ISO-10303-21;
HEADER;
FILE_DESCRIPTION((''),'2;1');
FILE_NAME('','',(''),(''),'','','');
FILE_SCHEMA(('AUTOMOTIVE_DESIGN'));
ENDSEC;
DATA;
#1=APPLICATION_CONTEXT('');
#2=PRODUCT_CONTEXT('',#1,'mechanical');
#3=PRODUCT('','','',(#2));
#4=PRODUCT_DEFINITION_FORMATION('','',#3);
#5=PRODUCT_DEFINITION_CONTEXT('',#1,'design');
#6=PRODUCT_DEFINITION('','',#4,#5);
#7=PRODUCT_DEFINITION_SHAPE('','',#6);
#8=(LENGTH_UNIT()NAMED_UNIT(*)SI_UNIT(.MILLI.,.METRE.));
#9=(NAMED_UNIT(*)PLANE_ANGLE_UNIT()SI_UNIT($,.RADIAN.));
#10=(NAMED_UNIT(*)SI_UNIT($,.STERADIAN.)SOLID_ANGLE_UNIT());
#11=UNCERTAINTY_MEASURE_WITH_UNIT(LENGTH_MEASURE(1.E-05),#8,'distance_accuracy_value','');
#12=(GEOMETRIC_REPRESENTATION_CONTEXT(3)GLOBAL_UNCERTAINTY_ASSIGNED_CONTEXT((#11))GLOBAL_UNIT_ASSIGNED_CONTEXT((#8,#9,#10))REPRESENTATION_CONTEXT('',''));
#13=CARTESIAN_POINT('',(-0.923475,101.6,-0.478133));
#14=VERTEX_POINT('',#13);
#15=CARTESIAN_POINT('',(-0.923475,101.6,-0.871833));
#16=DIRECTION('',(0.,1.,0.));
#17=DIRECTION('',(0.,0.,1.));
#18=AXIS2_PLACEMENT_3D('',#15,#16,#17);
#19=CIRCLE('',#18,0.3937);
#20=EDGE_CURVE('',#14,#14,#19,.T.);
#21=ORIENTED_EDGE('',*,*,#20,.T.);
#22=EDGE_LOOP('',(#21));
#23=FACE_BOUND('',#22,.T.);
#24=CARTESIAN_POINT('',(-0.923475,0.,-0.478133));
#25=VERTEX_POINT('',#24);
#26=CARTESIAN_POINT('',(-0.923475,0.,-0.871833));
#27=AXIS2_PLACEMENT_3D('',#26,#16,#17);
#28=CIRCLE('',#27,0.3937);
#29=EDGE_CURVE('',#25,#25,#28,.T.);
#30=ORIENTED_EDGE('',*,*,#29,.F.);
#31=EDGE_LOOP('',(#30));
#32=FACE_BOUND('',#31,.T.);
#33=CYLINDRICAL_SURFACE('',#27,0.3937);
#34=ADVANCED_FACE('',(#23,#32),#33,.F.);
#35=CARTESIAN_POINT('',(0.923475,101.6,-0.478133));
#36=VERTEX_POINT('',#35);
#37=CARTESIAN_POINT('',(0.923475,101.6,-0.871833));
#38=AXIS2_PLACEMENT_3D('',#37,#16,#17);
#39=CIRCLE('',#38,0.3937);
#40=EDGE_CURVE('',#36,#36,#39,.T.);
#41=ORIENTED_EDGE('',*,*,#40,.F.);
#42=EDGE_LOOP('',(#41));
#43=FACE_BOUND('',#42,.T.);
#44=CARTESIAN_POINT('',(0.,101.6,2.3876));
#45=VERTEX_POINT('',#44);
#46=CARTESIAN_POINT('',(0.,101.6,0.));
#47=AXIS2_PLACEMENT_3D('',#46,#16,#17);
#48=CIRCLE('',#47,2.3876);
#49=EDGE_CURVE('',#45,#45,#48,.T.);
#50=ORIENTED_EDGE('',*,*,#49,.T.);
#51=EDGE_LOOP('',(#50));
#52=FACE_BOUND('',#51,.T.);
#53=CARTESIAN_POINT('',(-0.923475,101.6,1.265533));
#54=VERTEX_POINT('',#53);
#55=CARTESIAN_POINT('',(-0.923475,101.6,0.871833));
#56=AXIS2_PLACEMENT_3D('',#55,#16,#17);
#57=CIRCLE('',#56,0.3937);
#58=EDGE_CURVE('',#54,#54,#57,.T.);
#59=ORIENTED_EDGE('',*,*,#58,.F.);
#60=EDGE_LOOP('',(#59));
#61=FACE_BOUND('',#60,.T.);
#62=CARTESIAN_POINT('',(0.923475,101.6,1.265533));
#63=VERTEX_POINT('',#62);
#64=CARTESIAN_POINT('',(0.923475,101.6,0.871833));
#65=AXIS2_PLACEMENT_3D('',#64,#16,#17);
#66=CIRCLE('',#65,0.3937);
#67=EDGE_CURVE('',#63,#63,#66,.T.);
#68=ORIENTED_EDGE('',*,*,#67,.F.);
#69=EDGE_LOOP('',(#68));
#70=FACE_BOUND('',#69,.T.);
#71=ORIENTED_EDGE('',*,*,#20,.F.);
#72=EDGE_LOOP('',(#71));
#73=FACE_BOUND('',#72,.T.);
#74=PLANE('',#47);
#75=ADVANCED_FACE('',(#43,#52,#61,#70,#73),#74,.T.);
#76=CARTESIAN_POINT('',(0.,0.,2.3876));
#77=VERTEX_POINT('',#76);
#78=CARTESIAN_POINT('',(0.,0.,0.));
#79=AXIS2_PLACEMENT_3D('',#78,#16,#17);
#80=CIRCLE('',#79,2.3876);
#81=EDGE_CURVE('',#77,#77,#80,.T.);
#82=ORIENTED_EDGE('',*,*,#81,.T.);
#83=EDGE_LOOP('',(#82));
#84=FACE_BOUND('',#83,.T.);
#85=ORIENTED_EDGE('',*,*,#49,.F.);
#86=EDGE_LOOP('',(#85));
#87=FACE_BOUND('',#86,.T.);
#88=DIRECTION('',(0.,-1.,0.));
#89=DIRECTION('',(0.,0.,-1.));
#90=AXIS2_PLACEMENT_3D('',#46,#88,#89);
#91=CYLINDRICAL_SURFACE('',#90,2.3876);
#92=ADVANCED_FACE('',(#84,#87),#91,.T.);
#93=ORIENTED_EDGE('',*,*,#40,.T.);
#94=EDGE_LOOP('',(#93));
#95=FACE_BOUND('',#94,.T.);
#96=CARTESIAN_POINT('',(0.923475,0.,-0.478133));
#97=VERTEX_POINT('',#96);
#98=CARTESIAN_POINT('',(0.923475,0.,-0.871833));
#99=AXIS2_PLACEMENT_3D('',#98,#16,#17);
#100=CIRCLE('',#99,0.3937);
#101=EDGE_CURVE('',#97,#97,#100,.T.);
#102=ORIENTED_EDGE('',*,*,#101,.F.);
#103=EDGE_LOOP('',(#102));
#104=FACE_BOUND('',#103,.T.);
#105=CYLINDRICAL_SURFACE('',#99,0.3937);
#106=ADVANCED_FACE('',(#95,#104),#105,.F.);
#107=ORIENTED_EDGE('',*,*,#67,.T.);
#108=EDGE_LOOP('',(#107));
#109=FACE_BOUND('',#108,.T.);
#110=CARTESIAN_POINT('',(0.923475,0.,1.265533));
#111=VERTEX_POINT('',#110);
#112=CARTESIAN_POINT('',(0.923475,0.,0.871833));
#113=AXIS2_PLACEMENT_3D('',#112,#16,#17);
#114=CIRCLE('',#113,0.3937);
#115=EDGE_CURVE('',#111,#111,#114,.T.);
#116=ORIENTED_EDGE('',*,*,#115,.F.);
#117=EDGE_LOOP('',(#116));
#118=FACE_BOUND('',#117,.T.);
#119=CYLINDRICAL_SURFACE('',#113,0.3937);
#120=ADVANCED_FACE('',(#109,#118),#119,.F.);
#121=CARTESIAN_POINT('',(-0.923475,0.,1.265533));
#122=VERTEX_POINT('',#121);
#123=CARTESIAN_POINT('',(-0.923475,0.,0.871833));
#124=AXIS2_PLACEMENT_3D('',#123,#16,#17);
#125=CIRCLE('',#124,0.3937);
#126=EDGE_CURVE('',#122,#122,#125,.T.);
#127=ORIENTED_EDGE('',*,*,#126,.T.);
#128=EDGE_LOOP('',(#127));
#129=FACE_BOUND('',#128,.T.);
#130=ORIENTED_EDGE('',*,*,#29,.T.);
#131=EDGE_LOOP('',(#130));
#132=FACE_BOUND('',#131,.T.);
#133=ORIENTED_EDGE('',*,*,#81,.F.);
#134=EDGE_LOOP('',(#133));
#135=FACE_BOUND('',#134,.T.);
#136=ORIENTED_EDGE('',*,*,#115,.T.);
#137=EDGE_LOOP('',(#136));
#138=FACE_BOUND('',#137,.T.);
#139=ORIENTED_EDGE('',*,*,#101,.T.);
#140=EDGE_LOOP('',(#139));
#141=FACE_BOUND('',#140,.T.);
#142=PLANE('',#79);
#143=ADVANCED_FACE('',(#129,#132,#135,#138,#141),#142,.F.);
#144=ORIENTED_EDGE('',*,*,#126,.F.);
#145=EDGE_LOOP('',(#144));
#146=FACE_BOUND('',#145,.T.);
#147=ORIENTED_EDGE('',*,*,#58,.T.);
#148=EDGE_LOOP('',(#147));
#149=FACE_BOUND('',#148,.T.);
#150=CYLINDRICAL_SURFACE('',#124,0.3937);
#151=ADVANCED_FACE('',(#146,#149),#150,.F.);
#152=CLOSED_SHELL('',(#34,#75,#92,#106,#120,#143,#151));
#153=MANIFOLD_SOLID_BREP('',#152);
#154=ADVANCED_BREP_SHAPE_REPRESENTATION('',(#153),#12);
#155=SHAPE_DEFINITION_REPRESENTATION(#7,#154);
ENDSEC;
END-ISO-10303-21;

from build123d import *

# Parameters (mm, degrees)
SKETCH1_R           = 2.3876
BOSS_EXTRUDE1_DEPTH = 101.6
SKETCH2_R           = 0.3937
CUT_EXTRUDE1_DEPTH  = 102.656093116


with BuildPart() as part:
    # Sketch1 → Boss-Extrude1 (new body)
    with BuildSketch(Plane(origin=(0, 0, 0), x_dir=(1, 0, 0), z_dir=(0, 1, 0))):
        with Locations(Location((0, 0, 0), (0, 0, 270))):
            Circle(SKETCH1_R)
    extrude(amount=BOSS_EXTRUDE1_DEPTH)

    # Sketch2 → Cut-Extrude1 (cut, through all)
    with BuildSketch(Plane(origin=(0, 101.6, 0), x_dir=(1, 0, 0), z_dir=(0, 1, 0))):
        with Locations(Location((-0.923475175, 0.871833471, 0), (0, 0, 270))):
            Circle(SKETCH2_R)
        with Locations(Location((0.923475175, 0.871833471, 0), (0, 0, 270))):
            Circle(SKETCH2_R)
        with Locations(Location((0.923475175, -0.871833471, 0), (0, 0, 270))):
            Circle(SKETCH2_R)
        with Locations(Location((-0.923475175, -0.871833471, 0), (0, 0, 270))):
            Circle(SKETCH2_R)
    extrude(amount=-CUT_EXTRUDE1_DEPTH, mode=Mode.SUBTRACT)


solid = part.part
